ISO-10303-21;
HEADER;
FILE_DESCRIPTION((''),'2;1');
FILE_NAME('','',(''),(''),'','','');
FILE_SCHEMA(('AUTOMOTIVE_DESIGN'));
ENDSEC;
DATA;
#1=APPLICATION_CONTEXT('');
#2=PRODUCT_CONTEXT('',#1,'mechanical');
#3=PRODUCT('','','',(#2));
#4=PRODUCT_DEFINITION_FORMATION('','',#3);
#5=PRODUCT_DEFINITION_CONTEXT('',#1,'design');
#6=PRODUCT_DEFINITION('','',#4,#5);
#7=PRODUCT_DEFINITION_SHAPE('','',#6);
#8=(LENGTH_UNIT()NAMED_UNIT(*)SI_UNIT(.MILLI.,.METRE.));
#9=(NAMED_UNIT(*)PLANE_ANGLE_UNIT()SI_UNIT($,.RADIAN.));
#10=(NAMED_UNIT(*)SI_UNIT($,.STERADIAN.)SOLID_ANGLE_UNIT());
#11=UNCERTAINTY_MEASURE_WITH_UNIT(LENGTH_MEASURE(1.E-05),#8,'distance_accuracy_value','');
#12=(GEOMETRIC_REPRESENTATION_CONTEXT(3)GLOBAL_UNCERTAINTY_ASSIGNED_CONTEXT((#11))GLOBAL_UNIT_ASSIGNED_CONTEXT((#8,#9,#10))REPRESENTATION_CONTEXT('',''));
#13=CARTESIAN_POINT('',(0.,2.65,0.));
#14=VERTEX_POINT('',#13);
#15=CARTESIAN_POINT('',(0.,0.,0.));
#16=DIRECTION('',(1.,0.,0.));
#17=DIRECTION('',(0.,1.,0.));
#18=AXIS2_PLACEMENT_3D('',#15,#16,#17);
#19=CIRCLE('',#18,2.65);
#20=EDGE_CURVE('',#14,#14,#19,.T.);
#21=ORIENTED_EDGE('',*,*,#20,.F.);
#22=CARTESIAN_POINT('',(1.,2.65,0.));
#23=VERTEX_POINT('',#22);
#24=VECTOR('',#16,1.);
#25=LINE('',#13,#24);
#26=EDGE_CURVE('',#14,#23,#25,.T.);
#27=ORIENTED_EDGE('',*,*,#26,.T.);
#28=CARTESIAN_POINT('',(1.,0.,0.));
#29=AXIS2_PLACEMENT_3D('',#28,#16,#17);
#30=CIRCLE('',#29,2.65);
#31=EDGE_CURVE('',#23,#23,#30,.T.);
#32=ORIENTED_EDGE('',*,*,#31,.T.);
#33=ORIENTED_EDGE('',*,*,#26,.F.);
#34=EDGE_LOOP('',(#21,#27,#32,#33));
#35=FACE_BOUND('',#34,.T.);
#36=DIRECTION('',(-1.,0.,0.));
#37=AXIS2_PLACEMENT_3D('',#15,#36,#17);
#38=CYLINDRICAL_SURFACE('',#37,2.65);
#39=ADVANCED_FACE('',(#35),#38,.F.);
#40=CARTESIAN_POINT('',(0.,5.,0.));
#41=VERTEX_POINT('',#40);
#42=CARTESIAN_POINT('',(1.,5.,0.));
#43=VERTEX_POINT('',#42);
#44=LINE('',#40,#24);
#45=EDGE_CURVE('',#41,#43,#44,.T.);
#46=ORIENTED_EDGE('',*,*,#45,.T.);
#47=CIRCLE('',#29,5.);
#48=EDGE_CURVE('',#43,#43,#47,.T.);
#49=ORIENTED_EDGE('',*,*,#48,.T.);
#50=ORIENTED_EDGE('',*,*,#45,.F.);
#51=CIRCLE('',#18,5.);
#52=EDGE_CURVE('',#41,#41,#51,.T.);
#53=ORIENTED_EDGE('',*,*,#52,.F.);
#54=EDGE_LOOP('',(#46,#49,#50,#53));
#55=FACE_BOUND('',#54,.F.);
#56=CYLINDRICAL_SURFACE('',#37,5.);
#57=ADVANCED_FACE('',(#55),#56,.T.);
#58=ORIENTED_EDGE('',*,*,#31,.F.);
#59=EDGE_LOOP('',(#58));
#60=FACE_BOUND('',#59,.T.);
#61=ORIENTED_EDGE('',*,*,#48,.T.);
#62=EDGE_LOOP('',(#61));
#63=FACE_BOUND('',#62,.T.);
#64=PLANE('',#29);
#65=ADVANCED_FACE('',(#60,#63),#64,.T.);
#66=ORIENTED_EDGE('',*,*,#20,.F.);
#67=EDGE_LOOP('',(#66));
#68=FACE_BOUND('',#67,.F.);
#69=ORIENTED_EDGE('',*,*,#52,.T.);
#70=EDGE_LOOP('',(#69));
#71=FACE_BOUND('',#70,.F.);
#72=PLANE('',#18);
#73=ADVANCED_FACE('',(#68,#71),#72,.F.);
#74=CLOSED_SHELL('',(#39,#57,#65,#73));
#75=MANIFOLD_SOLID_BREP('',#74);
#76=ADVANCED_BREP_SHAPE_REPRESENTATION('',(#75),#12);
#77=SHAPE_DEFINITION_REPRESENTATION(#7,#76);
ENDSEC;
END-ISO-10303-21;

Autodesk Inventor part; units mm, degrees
ref_plane "YZ Plane" through (0, 0, 0) normal (1, 0, 0) x (0, 1, 0)
ref_plane "XZ Plane" through (0, 0, 0) normal (0, 1, 0) x (-1, 0, 0)
sketch "Sketch" plane through (0, 0, 0) normal (1, 0, 0) x (0, 1, 0)
  circle A0 centre (0, 0) radius 5
  circle A1 centre (0, 0) radius 2.65
  dimension "d0" = 5.3
  dimension "d1" = 10
extrude "Body" add sketch "Sketch" along normal blind 1
ref_plane "Work Plane1" through (0, 0, 0) normal (0, 0, 1) x (1, 0, 0)
equation "\"d0\" = SD1"
equation "\"d1\" = SD2"
equation "\"d2\" = SD"
equation "\"SD1\" = 5.3"
equation "\"SD2\" = 10"
equation "\"SD\" = 1"
equation "\"NND\" = 5"
properties part number "washer_m5" material "Steel, Mild"
